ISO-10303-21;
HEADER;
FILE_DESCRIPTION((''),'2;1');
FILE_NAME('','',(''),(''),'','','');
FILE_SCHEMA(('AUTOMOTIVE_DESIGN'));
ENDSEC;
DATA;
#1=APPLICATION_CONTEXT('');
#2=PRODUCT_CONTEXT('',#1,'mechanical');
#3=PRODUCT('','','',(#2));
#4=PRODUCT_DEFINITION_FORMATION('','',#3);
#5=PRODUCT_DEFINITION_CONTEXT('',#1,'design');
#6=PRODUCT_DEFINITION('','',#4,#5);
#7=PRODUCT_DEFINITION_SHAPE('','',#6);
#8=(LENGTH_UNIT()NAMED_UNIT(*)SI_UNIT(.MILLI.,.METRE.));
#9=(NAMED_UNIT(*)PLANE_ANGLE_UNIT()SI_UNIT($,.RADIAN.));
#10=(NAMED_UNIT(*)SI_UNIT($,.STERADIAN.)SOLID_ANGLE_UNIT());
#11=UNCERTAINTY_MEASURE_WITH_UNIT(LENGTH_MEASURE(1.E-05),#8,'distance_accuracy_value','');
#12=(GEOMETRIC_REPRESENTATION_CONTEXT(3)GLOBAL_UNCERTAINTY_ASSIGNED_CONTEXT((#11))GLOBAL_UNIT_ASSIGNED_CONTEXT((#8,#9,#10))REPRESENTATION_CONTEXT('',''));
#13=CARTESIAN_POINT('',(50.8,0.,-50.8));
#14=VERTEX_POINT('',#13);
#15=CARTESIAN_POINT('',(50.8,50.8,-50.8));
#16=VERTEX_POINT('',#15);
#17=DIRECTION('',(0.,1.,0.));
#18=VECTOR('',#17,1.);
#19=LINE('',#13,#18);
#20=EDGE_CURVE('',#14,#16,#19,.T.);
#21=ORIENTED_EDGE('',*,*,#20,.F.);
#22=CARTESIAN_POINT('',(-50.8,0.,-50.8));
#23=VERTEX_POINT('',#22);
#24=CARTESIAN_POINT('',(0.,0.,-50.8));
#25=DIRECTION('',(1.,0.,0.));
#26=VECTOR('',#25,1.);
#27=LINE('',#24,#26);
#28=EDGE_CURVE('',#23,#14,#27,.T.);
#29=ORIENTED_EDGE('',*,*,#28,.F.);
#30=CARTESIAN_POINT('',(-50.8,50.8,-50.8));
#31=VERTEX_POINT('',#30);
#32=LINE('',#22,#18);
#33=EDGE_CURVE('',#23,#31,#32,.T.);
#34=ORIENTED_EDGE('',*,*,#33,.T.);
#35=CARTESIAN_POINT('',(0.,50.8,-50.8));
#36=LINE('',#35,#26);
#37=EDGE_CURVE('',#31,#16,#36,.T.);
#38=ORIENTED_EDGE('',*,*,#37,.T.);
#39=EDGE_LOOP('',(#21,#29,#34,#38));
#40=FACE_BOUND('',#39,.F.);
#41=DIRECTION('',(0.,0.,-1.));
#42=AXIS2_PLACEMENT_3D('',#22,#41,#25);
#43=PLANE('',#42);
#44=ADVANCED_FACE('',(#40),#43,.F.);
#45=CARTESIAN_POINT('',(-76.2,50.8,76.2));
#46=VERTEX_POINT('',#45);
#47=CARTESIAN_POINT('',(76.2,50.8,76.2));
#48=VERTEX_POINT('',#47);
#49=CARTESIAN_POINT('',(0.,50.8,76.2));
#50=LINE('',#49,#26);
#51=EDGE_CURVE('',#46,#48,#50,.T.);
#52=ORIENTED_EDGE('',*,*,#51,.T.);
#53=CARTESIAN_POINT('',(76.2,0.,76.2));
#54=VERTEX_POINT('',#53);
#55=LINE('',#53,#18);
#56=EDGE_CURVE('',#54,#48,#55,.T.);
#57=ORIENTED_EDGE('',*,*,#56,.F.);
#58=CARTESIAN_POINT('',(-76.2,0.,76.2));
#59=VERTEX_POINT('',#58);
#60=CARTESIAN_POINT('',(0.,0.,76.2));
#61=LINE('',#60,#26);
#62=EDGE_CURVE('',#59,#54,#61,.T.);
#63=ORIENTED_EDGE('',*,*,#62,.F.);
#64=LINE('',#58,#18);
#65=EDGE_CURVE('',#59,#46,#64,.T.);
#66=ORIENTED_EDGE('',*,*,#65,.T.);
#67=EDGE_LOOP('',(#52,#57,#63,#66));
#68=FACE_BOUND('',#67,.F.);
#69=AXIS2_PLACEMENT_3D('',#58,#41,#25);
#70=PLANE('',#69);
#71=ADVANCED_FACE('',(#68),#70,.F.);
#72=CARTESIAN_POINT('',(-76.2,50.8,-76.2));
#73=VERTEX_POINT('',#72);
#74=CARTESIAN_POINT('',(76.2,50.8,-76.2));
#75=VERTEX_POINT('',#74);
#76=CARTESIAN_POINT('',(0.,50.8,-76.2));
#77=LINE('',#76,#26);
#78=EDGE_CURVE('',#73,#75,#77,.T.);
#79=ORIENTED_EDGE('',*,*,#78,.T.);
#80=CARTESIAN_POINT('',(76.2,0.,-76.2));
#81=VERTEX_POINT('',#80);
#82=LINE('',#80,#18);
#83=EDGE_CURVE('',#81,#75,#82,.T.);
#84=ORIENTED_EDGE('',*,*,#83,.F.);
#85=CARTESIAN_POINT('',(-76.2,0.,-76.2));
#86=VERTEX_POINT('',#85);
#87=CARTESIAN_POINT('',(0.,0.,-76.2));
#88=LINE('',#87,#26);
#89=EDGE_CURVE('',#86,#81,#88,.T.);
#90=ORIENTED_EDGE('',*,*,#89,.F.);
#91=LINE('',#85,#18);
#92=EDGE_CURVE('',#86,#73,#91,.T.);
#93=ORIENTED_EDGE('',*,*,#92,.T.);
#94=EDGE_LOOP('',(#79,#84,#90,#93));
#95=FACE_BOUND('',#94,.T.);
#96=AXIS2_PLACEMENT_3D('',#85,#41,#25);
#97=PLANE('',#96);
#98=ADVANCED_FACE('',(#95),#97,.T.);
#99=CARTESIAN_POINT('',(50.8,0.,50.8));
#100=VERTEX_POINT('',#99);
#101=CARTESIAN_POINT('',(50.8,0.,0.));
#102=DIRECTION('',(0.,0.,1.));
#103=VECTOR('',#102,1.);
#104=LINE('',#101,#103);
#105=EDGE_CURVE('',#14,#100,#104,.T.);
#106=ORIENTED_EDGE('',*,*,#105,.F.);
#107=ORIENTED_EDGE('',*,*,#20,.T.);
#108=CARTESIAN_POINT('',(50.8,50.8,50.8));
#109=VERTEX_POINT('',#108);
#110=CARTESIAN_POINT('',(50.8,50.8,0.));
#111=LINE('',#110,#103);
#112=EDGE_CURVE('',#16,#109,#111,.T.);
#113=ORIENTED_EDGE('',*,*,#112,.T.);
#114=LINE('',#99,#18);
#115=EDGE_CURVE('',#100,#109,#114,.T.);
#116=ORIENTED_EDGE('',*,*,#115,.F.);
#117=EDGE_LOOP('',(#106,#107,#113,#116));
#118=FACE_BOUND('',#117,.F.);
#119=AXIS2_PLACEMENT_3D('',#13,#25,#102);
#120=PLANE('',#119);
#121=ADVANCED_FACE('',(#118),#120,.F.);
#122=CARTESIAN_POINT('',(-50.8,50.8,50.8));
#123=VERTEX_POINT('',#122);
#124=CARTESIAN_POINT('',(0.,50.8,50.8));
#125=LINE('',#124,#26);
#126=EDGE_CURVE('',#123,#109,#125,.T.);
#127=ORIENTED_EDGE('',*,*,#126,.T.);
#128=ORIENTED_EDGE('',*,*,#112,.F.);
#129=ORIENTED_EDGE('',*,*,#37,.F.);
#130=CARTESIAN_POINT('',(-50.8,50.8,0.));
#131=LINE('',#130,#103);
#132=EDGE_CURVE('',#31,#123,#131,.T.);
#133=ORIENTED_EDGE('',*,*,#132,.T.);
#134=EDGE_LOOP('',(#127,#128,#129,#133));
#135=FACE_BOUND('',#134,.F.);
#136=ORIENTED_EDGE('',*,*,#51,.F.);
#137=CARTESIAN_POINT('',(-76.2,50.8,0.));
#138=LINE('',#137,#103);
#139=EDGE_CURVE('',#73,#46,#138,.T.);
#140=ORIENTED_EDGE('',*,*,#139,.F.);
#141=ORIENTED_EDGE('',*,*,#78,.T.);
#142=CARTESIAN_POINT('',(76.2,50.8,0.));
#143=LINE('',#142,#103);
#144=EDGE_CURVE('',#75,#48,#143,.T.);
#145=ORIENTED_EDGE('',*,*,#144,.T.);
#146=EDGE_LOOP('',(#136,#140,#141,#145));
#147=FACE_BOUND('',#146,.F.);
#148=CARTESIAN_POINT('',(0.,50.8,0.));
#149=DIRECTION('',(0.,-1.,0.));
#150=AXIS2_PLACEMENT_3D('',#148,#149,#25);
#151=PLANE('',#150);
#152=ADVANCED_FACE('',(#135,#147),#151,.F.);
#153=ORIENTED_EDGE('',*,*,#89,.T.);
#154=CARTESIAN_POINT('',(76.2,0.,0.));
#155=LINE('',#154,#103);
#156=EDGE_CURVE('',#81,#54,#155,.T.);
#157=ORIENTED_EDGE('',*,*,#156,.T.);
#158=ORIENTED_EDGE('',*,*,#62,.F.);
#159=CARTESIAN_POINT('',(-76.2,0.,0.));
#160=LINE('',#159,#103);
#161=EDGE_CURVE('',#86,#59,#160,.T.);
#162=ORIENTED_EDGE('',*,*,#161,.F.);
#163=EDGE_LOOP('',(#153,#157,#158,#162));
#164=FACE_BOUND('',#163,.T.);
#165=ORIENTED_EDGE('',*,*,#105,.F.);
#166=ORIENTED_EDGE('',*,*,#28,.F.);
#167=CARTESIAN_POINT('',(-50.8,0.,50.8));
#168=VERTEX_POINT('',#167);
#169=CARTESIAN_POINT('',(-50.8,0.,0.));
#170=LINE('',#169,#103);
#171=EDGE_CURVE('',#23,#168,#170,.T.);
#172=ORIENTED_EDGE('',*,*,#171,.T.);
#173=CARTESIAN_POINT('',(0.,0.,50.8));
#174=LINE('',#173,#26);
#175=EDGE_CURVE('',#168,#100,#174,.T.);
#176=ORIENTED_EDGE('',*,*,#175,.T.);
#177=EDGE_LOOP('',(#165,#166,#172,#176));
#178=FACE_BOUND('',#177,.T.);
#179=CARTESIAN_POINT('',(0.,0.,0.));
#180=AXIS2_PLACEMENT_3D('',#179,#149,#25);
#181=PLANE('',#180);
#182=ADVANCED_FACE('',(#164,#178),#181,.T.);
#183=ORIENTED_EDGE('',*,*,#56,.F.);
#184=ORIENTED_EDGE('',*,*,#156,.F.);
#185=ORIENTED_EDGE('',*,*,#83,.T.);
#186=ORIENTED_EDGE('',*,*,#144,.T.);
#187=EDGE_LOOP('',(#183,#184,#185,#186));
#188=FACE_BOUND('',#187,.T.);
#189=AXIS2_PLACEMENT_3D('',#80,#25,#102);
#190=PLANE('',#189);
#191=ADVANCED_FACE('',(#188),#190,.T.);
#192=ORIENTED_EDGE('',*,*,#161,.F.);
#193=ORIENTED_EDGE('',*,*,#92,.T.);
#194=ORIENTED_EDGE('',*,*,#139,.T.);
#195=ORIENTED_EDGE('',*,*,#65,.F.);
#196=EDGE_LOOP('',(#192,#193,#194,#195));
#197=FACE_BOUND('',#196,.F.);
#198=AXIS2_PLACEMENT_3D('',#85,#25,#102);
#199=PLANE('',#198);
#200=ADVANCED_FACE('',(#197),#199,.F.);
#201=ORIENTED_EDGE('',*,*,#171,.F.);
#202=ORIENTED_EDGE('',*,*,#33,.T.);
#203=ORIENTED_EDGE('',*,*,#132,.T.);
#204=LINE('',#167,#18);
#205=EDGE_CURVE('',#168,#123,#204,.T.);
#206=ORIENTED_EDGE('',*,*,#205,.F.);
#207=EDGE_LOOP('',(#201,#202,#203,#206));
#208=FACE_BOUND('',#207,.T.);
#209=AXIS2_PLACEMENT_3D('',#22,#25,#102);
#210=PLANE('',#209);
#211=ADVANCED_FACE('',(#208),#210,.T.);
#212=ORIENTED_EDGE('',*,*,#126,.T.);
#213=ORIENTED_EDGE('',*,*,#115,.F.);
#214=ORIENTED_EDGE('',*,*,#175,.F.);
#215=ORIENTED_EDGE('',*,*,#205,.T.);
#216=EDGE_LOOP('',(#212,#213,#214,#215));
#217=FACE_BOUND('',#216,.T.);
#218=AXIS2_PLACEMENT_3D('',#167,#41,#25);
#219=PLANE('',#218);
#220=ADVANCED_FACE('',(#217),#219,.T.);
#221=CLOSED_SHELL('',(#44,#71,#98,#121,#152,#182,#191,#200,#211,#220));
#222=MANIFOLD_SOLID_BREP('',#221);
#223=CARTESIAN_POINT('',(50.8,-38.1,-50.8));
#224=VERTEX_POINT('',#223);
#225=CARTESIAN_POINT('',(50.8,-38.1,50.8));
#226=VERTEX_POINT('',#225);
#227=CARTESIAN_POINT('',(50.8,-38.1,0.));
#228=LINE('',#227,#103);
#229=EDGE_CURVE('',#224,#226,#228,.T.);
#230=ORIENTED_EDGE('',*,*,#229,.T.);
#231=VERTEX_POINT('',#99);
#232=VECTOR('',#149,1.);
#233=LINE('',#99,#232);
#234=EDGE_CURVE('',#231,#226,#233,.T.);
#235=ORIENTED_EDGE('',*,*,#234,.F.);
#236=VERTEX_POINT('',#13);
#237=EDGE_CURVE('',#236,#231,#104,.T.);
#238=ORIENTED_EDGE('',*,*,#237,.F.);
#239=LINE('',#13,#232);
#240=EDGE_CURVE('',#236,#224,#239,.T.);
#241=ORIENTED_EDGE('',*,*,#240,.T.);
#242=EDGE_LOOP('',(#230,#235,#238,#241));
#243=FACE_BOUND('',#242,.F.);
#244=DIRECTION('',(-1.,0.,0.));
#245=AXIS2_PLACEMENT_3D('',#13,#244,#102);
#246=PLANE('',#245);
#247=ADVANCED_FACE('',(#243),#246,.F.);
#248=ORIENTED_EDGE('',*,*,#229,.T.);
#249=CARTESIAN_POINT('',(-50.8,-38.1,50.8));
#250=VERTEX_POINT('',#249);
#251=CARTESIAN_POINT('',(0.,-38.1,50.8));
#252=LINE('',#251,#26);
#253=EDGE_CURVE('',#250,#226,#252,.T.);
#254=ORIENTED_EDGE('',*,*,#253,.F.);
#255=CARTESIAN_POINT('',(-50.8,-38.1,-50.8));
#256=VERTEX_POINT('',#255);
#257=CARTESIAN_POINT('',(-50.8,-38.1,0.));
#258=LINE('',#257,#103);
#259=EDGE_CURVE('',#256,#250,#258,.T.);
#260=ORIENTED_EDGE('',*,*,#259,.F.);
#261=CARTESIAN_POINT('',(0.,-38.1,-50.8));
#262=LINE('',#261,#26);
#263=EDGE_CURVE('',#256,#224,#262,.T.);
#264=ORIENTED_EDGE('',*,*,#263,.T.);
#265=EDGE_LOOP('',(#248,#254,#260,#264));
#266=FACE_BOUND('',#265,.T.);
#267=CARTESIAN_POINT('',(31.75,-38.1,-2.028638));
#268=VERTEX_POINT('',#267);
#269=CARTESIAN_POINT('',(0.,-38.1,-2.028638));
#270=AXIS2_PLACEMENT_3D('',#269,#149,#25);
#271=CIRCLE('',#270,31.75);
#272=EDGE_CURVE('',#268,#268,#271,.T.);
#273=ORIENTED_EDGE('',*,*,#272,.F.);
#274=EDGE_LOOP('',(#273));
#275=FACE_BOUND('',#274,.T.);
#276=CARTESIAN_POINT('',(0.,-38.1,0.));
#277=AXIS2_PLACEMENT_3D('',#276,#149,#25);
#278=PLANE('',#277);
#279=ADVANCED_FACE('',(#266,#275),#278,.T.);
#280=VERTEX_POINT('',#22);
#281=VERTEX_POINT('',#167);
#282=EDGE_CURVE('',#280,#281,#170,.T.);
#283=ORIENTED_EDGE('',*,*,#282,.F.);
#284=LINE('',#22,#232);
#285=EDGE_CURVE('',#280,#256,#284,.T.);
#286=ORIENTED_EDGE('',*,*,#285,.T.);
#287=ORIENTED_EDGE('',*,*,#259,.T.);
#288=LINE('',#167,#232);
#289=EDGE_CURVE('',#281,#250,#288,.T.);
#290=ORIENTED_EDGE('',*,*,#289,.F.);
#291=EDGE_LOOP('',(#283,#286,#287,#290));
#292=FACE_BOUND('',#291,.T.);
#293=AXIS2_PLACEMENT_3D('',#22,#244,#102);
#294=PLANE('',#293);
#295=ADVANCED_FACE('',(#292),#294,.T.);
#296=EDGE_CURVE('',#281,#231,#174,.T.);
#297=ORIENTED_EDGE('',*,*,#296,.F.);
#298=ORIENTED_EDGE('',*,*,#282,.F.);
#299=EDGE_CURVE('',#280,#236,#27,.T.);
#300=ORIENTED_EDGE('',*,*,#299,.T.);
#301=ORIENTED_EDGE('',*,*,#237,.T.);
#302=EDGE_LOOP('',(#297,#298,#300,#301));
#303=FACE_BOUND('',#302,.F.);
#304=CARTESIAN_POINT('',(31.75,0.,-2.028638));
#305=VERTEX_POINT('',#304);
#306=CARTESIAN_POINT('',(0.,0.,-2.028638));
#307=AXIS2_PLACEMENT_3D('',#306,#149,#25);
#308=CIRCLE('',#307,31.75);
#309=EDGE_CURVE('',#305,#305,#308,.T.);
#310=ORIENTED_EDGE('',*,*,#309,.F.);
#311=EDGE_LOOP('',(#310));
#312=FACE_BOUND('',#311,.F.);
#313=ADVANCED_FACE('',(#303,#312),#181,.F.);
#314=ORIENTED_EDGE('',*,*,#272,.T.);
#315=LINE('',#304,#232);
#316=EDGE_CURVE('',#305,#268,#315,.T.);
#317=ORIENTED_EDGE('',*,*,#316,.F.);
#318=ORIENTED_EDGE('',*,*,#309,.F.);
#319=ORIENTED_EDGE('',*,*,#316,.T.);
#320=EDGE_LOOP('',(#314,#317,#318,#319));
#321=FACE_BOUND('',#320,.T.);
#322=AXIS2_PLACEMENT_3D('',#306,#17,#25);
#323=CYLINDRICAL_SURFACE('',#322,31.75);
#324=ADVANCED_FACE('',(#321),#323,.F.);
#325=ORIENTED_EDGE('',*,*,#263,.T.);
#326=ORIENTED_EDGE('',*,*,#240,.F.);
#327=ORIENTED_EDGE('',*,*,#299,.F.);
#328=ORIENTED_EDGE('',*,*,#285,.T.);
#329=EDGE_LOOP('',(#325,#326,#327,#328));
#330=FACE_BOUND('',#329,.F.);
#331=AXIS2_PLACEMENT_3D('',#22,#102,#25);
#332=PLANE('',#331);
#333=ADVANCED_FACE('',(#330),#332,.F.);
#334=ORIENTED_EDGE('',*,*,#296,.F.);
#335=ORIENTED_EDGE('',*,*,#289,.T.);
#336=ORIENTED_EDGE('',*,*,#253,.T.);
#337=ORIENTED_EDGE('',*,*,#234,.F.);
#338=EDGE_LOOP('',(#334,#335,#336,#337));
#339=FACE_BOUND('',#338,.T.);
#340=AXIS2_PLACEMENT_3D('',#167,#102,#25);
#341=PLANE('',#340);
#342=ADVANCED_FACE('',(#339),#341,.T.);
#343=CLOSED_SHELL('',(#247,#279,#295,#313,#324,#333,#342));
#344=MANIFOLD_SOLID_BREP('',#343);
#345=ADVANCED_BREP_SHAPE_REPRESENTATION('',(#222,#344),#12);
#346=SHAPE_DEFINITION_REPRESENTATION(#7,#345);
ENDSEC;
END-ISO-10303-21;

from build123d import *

# Parameters (mm, degrees)
F0_W     = 101.6
F0_H     = 101.6
F0_R     = 31.75
F1_DEPTH = 38.1
F0_W_2   = 152.4
F0_H_2   = 152.4
F2_DEPTH = 50.8


with BuildPart() as f1:
    # F0 (on Front) → F1 (new body)
    with BuildSketch(Plane.XZ):
        Rectangle(F0_W, F0_H)
        with Locations((0, -2.028638)):
            Circle(F0_R, mode=Mode.SUBTRACT)
    extrude(amount=F1_DEPTH)


with BuildPart() as f2:
    # F0 (on Front) → F2 (new body)
    with BuildSketch(Plane.XZ):
        Rectangle(F0_W_2, F0_H_2)
        Rectangle(F0_W, F0_H, mode=Mode.SUBTRACT)
    extrude(amount=-F2_DEPTH)


solid = Compound([f1.part, f2.part])
